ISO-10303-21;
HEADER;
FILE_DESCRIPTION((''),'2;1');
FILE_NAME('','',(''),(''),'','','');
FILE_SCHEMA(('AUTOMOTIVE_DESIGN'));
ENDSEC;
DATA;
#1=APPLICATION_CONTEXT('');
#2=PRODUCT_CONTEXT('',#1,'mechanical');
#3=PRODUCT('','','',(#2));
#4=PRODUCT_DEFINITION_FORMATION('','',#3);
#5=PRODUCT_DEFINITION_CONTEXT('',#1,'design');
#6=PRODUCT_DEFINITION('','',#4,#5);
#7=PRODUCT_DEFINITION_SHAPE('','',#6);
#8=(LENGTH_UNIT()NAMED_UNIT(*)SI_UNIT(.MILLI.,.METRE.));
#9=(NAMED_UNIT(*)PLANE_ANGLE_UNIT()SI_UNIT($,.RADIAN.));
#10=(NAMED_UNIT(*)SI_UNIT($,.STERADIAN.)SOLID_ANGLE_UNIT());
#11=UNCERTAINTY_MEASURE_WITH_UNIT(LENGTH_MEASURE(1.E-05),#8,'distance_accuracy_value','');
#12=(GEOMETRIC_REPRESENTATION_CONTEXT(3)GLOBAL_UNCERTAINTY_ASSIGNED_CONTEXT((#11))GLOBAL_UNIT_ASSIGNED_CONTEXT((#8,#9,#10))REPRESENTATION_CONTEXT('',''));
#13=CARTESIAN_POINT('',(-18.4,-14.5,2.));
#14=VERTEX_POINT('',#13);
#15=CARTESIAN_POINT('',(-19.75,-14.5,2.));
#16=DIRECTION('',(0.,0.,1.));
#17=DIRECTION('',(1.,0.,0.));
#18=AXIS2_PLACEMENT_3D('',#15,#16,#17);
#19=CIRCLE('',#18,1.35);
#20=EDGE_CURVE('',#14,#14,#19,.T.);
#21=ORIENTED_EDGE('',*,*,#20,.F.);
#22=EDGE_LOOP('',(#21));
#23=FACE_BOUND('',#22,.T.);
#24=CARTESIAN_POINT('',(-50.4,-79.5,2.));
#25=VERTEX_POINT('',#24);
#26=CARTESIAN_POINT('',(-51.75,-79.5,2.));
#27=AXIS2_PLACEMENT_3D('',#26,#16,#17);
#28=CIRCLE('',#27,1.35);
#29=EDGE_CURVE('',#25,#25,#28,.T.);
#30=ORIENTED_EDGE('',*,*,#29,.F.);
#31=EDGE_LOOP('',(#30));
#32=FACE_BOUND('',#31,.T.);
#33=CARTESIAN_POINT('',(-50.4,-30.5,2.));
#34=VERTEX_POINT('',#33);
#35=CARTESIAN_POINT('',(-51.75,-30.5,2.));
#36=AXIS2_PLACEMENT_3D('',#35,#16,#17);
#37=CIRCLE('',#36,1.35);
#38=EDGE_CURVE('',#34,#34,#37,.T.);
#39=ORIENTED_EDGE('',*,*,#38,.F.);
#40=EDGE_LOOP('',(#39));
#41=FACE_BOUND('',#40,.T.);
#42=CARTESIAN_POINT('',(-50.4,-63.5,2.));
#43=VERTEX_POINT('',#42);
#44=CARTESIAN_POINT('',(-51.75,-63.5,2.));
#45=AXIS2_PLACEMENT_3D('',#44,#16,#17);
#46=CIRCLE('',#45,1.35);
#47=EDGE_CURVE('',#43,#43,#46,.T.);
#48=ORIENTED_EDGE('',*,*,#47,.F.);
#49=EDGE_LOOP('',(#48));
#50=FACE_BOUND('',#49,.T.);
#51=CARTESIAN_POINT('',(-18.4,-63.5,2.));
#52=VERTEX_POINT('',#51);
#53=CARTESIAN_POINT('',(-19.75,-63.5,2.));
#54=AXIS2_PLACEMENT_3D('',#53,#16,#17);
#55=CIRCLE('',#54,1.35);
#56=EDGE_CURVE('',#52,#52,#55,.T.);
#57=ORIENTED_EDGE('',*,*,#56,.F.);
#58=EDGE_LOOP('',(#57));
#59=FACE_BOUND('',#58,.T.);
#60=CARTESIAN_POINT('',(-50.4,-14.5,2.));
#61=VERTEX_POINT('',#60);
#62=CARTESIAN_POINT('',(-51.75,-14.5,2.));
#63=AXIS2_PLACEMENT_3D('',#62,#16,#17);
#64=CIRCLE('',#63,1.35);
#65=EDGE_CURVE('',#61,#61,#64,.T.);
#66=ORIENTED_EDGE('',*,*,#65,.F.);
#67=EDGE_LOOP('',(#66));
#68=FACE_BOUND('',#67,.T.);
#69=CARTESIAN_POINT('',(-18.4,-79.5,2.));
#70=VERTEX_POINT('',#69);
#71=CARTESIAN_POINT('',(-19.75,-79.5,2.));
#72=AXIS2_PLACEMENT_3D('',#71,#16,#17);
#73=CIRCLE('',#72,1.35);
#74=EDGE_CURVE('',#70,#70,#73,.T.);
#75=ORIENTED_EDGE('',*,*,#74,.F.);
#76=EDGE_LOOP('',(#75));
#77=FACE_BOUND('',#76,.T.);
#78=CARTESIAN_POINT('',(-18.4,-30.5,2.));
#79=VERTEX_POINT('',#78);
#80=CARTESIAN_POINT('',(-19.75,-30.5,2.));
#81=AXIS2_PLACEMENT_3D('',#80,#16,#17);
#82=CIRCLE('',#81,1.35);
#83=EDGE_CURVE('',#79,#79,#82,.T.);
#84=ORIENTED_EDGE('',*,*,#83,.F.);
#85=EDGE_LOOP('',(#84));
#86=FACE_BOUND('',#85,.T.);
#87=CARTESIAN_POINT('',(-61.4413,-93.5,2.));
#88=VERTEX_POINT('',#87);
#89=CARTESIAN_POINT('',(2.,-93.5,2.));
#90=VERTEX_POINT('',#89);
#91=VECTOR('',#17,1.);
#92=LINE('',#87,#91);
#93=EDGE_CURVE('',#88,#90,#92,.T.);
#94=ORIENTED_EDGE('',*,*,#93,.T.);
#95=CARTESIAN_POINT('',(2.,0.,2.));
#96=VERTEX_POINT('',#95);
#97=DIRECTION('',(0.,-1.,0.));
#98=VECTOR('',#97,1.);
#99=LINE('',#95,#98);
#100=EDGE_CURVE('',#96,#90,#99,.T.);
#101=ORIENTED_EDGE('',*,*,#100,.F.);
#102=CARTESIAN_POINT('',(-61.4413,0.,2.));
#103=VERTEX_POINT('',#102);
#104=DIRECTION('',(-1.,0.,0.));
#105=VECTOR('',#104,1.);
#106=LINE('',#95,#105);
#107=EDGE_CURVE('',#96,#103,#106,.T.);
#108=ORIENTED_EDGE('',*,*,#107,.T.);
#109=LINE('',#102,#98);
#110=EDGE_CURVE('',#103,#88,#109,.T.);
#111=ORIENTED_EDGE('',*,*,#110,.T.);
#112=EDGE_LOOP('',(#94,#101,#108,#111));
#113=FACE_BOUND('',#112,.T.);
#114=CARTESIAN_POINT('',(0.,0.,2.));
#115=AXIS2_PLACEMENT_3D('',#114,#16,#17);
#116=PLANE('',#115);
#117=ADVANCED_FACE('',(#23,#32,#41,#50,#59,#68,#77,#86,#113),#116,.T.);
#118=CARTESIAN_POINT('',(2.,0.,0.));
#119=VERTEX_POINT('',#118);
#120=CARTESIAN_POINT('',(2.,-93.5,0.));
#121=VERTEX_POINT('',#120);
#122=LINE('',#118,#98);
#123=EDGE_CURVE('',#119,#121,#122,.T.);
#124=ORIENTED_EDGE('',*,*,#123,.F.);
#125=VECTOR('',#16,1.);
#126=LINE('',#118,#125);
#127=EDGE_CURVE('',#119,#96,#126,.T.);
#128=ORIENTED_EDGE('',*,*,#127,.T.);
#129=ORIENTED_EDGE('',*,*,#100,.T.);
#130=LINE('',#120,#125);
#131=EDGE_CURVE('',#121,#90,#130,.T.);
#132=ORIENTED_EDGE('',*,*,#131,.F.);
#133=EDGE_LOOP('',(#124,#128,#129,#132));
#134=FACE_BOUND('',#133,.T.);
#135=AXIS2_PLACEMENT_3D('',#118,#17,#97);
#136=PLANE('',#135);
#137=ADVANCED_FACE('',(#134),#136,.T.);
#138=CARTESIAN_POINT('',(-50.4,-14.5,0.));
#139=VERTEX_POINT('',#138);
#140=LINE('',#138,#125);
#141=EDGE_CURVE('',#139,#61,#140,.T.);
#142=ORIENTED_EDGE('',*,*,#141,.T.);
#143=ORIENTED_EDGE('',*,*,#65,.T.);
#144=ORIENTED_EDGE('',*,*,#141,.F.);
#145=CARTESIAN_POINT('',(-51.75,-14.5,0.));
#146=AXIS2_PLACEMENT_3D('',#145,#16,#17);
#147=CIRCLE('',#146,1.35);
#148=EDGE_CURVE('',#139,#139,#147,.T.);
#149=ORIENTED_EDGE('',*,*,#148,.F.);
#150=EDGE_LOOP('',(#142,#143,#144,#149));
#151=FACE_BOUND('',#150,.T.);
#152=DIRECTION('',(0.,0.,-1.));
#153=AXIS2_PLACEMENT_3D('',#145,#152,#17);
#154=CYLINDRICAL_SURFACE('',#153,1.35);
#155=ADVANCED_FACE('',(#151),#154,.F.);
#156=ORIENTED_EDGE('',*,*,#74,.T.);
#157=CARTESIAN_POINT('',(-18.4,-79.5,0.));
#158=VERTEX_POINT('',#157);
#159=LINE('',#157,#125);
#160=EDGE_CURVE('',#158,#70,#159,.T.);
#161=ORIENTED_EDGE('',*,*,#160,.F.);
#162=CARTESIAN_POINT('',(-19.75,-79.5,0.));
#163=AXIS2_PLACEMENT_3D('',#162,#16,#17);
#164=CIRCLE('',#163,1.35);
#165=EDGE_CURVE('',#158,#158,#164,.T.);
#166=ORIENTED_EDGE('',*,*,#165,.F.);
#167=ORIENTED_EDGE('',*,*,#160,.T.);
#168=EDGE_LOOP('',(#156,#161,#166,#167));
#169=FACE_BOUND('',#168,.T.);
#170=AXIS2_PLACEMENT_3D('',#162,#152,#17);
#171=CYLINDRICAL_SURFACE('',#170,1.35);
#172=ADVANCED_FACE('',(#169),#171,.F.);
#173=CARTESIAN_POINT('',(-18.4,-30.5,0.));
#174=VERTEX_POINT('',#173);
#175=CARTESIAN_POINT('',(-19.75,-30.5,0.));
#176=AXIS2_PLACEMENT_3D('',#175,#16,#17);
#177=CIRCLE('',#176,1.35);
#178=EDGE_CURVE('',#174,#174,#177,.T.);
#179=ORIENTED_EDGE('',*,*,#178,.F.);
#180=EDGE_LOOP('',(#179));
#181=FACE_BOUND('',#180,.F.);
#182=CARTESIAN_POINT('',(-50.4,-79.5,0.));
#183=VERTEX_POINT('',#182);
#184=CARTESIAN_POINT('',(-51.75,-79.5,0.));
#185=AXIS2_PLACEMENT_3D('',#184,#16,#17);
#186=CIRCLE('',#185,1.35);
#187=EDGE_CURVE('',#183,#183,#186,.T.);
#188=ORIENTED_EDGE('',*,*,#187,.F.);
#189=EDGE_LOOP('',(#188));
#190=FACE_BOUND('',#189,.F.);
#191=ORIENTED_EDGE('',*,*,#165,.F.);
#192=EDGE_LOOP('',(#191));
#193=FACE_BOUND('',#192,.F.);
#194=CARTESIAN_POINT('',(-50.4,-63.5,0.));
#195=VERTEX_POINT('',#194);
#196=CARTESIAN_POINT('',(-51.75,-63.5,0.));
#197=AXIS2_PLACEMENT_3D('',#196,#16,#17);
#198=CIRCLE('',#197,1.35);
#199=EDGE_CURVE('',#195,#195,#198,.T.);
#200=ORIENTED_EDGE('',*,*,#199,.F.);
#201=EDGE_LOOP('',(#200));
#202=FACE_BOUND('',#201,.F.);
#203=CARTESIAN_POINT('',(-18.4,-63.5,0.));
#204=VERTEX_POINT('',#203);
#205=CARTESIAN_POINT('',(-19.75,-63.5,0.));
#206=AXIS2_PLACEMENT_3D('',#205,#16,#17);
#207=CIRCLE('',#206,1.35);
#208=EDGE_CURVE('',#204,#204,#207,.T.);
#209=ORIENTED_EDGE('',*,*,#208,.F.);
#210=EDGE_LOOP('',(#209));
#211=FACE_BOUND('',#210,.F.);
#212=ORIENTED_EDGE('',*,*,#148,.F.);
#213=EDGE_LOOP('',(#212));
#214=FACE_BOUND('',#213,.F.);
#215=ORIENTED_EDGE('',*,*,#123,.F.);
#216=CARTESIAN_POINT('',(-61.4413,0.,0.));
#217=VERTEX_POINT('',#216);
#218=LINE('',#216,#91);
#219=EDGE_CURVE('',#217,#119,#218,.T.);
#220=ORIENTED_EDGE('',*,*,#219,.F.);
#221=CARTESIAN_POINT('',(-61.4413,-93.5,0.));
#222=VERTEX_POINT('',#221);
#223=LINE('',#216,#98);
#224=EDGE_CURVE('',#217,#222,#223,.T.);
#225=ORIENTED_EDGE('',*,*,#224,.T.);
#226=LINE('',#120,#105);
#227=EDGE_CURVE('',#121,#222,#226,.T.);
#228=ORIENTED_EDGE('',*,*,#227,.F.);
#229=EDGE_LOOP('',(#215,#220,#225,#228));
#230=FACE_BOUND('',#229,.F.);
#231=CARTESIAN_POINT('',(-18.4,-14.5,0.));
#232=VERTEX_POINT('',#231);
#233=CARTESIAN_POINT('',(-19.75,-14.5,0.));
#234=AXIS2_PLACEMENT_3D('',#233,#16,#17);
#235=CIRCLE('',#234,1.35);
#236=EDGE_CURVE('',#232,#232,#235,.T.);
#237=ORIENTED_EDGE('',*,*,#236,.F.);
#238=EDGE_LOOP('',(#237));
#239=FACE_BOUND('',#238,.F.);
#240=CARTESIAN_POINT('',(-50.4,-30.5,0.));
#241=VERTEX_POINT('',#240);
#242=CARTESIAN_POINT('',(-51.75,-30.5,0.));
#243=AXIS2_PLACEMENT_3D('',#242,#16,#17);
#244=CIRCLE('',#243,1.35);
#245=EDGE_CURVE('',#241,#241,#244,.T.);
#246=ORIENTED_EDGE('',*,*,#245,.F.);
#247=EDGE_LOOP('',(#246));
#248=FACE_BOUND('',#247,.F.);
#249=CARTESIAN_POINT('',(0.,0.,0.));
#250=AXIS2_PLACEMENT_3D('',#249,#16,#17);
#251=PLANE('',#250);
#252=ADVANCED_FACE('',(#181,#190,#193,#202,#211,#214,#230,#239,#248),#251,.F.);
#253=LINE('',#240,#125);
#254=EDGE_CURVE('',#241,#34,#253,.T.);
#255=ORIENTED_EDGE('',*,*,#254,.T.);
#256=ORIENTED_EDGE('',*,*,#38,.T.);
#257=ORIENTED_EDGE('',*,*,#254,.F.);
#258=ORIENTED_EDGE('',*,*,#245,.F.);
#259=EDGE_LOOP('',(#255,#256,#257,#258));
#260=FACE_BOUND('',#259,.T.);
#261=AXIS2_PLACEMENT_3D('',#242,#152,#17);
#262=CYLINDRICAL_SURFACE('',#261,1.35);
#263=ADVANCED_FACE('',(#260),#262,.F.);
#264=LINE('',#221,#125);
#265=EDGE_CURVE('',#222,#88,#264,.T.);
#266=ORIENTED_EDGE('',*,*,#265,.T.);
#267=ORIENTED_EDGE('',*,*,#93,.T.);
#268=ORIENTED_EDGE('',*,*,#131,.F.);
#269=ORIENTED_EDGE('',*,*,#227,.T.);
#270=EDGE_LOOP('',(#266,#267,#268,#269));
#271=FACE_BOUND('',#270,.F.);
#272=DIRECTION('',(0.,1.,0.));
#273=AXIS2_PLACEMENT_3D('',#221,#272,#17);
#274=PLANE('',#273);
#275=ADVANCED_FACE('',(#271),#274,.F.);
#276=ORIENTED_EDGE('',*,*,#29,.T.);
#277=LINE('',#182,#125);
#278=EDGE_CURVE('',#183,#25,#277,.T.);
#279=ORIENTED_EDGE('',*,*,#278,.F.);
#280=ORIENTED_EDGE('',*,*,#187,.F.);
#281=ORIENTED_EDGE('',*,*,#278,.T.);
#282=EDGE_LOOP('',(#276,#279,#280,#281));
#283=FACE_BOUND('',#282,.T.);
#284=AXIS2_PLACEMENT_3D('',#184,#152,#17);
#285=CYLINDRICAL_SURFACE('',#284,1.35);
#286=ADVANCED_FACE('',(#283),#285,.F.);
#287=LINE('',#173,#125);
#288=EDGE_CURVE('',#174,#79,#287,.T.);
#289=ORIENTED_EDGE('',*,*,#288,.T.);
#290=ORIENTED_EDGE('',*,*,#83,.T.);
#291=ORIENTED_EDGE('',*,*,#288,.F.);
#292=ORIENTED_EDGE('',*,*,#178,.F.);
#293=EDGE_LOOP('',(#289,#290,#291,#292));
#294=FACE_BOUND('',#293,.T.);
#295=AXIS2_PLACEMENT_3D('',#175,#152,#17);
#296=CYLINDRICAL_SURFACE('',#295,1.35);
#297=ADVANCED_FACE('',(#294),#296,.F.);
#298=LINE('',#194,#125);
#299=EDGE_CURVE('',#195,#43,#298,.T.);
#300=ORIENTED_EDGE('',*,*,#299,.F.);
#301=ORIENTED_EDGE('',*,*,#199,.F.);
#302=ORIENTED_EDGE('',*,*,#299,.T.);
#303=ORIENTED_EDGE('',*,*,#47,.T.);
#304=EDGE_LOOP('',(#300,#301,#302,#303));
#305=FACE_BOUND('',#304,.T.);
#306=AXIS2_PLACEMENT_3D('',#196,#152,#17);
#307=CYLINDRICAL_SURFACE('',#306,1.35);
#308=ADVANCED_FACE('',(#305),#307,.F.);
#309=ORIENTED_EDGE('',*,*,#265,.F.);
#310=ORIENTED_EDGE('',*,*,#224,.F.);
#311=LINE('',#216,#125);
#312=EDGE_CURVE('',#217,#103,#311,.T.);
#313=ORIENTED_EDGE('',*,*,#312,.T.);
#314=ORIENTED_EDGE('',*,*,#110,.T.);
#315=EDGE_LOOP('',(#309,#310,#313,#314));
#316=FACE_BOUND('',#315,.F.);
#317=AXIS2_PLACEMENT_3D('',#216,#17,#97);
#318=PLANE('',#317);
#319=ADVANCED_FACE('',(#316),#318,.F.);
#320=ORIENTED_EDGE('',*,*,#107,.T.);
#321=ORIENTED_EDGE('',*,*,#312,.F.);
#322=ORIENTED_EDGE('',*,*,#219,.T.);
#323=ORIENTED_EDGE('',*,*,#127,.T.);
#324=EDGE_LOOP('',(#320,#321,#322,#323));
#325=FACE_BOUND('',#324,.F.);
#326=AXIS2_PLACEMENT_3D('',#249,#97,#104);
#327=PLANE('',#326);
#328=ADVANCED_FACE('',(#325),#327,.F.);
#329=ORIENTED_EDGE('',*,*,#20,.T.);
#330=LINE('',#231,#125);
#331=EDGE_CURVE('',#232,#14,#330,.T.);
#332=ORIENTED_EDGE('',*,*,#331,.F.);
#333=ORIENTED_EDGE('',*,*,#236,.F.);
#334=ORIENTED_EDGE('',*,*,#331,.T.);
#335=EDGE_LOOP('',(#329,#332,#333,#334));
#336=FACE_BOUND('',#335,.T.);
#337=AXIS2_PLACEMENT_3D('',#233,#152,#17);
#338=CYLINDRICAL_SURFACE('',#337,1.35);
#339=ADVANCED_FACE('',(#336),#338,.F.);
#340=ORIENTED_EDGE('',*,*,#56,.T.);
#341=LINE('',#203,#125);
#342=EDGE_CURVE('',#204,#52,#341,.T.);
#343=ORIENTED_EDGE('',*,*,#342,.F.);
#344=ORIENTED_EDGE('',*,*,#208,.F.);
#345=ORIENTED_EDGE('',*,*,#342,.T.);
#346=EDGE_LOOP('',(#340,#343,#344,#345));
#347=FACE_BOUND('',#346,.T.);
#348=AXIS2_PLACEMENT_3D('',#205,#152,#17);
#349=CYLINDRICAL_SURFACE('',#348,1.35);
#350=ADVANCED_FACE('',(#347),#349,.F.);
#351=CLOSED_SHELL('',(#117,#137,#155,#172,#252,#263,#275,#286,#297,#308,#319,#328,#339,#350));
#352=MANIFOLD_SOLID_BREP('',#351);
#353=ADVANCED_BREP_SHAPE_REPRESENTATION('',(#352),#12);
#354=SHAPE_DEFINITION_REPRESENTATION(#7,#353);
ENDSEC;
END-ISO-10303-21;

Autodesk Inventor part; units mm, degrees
ref_plane "YZ Plane" through (0, 0, 0) normal (1, 0, 0) x (0, 1, 0)
ref_plane "XZ Plane" through (0, 0, 0) normal (0, 1, 0) x (-1, 0, 0)
ref_plane "XY Plane" through (0, 0, 0) normal (0, 0, 1) x (1, 0, 0)
sketch "スケッチ1" plane through (0, 0, 0) normal (1, 0, 0) x (0, 1, 0)
  point P0 (0, 0)
sketch "スケッチ2" plane through (0, 0, 0) normal (0, 0, 1) x (1, 0, 0)
  line L0 (-24.05, -44.1) -> (-24.05, -30.9) projected
  line L1 (-2, -44.1) -> (-24.05, -44.1) projected
  line L2 (-2, -0.9) -> (-2, -44.1) projected
  line L3 (-56.5, -0.9) -> (-2, -0.9) projected
  line L4 (-56.5, -0.9) -> (-56.5, -44.1) projected
  line L5 (-37.25, -44.1) -> (-56.5, -44.1) projected
  line L6 (-37.25, -44.1) -> (-37.25, -30.9) projected
  line L7 (-37.25, -30.9) -> (-24.05, -30.9) projected
  circle A0 centre (-19.75, -14.5) radius 1.35 projected
  circle A1 centre (-51.75, -30.5) radius 1.35 projected
  circle A2 centre (-51.75, -14.5) radius 1.35 projected
  circle A3 centre (-19.75, -30.5) radius 1.35 projected
  line L8 (-24.05, -63.1) -> (-24.05, -49.9) projected
  line L9 (-24.05, -63.1) -> (-37.25, -63.1) projected
  line L10 (-37.25, -63.1) -> (-37.25, -49.9) projected
  line L11 (-56.5, -49.9) -> (-37.25, -49.9) projected
  line L12 (-56.5, -93.1) -> (-56.5, -49.9) projected
  line L13 (-2, -93.1) -> (-56.5, -93.1) projected
  line L14 (-2, -93.1) -> (-2, -49.9) projected
  line L15 (-24.05, -49.9) -> (-2, -49.9) projected
  circle A4 centre (-19.75, -79.5) radius 1.35 projected
  circle A5 centre (-51.75, -63.5) radius 1.35 projected
  circle A6 centre (-51.75, -79.5) radius 1.35 projected
  circle A7 centre (-19.75, -63.5) radius 1.35 projected
  line L16 (0, 0) -> (0, -93.5) projected
  line L17 (0, -93.5) -> (2, -93.5) projected
  line L18 (2, 0) -> (2, -93.5) projected
  line L19 (0, 0) -> (2, 0) projected
  line L20 (2, 0) -> (-61.4413, 0)
  line L21 (-61.4413, 0) -> (-61.4413, -93.5)
  line L22 (-61.4413, -93.5) -> (2, -93.5)
  line L23 (2, -93.5) -> (2, 0)
  point P0 (0, -93.5)
  point P1 (0, -93.5)
extrude "押し出し1" add sketch "スケッチ2" along normal blind 2 contours L0 L7 L6 L5 L4 L3 L2 L1 | L8 L15 L14 L13 L12 L11 L10 L9 | L19 L18 L17 L16 | L16 L22 L21 L20
